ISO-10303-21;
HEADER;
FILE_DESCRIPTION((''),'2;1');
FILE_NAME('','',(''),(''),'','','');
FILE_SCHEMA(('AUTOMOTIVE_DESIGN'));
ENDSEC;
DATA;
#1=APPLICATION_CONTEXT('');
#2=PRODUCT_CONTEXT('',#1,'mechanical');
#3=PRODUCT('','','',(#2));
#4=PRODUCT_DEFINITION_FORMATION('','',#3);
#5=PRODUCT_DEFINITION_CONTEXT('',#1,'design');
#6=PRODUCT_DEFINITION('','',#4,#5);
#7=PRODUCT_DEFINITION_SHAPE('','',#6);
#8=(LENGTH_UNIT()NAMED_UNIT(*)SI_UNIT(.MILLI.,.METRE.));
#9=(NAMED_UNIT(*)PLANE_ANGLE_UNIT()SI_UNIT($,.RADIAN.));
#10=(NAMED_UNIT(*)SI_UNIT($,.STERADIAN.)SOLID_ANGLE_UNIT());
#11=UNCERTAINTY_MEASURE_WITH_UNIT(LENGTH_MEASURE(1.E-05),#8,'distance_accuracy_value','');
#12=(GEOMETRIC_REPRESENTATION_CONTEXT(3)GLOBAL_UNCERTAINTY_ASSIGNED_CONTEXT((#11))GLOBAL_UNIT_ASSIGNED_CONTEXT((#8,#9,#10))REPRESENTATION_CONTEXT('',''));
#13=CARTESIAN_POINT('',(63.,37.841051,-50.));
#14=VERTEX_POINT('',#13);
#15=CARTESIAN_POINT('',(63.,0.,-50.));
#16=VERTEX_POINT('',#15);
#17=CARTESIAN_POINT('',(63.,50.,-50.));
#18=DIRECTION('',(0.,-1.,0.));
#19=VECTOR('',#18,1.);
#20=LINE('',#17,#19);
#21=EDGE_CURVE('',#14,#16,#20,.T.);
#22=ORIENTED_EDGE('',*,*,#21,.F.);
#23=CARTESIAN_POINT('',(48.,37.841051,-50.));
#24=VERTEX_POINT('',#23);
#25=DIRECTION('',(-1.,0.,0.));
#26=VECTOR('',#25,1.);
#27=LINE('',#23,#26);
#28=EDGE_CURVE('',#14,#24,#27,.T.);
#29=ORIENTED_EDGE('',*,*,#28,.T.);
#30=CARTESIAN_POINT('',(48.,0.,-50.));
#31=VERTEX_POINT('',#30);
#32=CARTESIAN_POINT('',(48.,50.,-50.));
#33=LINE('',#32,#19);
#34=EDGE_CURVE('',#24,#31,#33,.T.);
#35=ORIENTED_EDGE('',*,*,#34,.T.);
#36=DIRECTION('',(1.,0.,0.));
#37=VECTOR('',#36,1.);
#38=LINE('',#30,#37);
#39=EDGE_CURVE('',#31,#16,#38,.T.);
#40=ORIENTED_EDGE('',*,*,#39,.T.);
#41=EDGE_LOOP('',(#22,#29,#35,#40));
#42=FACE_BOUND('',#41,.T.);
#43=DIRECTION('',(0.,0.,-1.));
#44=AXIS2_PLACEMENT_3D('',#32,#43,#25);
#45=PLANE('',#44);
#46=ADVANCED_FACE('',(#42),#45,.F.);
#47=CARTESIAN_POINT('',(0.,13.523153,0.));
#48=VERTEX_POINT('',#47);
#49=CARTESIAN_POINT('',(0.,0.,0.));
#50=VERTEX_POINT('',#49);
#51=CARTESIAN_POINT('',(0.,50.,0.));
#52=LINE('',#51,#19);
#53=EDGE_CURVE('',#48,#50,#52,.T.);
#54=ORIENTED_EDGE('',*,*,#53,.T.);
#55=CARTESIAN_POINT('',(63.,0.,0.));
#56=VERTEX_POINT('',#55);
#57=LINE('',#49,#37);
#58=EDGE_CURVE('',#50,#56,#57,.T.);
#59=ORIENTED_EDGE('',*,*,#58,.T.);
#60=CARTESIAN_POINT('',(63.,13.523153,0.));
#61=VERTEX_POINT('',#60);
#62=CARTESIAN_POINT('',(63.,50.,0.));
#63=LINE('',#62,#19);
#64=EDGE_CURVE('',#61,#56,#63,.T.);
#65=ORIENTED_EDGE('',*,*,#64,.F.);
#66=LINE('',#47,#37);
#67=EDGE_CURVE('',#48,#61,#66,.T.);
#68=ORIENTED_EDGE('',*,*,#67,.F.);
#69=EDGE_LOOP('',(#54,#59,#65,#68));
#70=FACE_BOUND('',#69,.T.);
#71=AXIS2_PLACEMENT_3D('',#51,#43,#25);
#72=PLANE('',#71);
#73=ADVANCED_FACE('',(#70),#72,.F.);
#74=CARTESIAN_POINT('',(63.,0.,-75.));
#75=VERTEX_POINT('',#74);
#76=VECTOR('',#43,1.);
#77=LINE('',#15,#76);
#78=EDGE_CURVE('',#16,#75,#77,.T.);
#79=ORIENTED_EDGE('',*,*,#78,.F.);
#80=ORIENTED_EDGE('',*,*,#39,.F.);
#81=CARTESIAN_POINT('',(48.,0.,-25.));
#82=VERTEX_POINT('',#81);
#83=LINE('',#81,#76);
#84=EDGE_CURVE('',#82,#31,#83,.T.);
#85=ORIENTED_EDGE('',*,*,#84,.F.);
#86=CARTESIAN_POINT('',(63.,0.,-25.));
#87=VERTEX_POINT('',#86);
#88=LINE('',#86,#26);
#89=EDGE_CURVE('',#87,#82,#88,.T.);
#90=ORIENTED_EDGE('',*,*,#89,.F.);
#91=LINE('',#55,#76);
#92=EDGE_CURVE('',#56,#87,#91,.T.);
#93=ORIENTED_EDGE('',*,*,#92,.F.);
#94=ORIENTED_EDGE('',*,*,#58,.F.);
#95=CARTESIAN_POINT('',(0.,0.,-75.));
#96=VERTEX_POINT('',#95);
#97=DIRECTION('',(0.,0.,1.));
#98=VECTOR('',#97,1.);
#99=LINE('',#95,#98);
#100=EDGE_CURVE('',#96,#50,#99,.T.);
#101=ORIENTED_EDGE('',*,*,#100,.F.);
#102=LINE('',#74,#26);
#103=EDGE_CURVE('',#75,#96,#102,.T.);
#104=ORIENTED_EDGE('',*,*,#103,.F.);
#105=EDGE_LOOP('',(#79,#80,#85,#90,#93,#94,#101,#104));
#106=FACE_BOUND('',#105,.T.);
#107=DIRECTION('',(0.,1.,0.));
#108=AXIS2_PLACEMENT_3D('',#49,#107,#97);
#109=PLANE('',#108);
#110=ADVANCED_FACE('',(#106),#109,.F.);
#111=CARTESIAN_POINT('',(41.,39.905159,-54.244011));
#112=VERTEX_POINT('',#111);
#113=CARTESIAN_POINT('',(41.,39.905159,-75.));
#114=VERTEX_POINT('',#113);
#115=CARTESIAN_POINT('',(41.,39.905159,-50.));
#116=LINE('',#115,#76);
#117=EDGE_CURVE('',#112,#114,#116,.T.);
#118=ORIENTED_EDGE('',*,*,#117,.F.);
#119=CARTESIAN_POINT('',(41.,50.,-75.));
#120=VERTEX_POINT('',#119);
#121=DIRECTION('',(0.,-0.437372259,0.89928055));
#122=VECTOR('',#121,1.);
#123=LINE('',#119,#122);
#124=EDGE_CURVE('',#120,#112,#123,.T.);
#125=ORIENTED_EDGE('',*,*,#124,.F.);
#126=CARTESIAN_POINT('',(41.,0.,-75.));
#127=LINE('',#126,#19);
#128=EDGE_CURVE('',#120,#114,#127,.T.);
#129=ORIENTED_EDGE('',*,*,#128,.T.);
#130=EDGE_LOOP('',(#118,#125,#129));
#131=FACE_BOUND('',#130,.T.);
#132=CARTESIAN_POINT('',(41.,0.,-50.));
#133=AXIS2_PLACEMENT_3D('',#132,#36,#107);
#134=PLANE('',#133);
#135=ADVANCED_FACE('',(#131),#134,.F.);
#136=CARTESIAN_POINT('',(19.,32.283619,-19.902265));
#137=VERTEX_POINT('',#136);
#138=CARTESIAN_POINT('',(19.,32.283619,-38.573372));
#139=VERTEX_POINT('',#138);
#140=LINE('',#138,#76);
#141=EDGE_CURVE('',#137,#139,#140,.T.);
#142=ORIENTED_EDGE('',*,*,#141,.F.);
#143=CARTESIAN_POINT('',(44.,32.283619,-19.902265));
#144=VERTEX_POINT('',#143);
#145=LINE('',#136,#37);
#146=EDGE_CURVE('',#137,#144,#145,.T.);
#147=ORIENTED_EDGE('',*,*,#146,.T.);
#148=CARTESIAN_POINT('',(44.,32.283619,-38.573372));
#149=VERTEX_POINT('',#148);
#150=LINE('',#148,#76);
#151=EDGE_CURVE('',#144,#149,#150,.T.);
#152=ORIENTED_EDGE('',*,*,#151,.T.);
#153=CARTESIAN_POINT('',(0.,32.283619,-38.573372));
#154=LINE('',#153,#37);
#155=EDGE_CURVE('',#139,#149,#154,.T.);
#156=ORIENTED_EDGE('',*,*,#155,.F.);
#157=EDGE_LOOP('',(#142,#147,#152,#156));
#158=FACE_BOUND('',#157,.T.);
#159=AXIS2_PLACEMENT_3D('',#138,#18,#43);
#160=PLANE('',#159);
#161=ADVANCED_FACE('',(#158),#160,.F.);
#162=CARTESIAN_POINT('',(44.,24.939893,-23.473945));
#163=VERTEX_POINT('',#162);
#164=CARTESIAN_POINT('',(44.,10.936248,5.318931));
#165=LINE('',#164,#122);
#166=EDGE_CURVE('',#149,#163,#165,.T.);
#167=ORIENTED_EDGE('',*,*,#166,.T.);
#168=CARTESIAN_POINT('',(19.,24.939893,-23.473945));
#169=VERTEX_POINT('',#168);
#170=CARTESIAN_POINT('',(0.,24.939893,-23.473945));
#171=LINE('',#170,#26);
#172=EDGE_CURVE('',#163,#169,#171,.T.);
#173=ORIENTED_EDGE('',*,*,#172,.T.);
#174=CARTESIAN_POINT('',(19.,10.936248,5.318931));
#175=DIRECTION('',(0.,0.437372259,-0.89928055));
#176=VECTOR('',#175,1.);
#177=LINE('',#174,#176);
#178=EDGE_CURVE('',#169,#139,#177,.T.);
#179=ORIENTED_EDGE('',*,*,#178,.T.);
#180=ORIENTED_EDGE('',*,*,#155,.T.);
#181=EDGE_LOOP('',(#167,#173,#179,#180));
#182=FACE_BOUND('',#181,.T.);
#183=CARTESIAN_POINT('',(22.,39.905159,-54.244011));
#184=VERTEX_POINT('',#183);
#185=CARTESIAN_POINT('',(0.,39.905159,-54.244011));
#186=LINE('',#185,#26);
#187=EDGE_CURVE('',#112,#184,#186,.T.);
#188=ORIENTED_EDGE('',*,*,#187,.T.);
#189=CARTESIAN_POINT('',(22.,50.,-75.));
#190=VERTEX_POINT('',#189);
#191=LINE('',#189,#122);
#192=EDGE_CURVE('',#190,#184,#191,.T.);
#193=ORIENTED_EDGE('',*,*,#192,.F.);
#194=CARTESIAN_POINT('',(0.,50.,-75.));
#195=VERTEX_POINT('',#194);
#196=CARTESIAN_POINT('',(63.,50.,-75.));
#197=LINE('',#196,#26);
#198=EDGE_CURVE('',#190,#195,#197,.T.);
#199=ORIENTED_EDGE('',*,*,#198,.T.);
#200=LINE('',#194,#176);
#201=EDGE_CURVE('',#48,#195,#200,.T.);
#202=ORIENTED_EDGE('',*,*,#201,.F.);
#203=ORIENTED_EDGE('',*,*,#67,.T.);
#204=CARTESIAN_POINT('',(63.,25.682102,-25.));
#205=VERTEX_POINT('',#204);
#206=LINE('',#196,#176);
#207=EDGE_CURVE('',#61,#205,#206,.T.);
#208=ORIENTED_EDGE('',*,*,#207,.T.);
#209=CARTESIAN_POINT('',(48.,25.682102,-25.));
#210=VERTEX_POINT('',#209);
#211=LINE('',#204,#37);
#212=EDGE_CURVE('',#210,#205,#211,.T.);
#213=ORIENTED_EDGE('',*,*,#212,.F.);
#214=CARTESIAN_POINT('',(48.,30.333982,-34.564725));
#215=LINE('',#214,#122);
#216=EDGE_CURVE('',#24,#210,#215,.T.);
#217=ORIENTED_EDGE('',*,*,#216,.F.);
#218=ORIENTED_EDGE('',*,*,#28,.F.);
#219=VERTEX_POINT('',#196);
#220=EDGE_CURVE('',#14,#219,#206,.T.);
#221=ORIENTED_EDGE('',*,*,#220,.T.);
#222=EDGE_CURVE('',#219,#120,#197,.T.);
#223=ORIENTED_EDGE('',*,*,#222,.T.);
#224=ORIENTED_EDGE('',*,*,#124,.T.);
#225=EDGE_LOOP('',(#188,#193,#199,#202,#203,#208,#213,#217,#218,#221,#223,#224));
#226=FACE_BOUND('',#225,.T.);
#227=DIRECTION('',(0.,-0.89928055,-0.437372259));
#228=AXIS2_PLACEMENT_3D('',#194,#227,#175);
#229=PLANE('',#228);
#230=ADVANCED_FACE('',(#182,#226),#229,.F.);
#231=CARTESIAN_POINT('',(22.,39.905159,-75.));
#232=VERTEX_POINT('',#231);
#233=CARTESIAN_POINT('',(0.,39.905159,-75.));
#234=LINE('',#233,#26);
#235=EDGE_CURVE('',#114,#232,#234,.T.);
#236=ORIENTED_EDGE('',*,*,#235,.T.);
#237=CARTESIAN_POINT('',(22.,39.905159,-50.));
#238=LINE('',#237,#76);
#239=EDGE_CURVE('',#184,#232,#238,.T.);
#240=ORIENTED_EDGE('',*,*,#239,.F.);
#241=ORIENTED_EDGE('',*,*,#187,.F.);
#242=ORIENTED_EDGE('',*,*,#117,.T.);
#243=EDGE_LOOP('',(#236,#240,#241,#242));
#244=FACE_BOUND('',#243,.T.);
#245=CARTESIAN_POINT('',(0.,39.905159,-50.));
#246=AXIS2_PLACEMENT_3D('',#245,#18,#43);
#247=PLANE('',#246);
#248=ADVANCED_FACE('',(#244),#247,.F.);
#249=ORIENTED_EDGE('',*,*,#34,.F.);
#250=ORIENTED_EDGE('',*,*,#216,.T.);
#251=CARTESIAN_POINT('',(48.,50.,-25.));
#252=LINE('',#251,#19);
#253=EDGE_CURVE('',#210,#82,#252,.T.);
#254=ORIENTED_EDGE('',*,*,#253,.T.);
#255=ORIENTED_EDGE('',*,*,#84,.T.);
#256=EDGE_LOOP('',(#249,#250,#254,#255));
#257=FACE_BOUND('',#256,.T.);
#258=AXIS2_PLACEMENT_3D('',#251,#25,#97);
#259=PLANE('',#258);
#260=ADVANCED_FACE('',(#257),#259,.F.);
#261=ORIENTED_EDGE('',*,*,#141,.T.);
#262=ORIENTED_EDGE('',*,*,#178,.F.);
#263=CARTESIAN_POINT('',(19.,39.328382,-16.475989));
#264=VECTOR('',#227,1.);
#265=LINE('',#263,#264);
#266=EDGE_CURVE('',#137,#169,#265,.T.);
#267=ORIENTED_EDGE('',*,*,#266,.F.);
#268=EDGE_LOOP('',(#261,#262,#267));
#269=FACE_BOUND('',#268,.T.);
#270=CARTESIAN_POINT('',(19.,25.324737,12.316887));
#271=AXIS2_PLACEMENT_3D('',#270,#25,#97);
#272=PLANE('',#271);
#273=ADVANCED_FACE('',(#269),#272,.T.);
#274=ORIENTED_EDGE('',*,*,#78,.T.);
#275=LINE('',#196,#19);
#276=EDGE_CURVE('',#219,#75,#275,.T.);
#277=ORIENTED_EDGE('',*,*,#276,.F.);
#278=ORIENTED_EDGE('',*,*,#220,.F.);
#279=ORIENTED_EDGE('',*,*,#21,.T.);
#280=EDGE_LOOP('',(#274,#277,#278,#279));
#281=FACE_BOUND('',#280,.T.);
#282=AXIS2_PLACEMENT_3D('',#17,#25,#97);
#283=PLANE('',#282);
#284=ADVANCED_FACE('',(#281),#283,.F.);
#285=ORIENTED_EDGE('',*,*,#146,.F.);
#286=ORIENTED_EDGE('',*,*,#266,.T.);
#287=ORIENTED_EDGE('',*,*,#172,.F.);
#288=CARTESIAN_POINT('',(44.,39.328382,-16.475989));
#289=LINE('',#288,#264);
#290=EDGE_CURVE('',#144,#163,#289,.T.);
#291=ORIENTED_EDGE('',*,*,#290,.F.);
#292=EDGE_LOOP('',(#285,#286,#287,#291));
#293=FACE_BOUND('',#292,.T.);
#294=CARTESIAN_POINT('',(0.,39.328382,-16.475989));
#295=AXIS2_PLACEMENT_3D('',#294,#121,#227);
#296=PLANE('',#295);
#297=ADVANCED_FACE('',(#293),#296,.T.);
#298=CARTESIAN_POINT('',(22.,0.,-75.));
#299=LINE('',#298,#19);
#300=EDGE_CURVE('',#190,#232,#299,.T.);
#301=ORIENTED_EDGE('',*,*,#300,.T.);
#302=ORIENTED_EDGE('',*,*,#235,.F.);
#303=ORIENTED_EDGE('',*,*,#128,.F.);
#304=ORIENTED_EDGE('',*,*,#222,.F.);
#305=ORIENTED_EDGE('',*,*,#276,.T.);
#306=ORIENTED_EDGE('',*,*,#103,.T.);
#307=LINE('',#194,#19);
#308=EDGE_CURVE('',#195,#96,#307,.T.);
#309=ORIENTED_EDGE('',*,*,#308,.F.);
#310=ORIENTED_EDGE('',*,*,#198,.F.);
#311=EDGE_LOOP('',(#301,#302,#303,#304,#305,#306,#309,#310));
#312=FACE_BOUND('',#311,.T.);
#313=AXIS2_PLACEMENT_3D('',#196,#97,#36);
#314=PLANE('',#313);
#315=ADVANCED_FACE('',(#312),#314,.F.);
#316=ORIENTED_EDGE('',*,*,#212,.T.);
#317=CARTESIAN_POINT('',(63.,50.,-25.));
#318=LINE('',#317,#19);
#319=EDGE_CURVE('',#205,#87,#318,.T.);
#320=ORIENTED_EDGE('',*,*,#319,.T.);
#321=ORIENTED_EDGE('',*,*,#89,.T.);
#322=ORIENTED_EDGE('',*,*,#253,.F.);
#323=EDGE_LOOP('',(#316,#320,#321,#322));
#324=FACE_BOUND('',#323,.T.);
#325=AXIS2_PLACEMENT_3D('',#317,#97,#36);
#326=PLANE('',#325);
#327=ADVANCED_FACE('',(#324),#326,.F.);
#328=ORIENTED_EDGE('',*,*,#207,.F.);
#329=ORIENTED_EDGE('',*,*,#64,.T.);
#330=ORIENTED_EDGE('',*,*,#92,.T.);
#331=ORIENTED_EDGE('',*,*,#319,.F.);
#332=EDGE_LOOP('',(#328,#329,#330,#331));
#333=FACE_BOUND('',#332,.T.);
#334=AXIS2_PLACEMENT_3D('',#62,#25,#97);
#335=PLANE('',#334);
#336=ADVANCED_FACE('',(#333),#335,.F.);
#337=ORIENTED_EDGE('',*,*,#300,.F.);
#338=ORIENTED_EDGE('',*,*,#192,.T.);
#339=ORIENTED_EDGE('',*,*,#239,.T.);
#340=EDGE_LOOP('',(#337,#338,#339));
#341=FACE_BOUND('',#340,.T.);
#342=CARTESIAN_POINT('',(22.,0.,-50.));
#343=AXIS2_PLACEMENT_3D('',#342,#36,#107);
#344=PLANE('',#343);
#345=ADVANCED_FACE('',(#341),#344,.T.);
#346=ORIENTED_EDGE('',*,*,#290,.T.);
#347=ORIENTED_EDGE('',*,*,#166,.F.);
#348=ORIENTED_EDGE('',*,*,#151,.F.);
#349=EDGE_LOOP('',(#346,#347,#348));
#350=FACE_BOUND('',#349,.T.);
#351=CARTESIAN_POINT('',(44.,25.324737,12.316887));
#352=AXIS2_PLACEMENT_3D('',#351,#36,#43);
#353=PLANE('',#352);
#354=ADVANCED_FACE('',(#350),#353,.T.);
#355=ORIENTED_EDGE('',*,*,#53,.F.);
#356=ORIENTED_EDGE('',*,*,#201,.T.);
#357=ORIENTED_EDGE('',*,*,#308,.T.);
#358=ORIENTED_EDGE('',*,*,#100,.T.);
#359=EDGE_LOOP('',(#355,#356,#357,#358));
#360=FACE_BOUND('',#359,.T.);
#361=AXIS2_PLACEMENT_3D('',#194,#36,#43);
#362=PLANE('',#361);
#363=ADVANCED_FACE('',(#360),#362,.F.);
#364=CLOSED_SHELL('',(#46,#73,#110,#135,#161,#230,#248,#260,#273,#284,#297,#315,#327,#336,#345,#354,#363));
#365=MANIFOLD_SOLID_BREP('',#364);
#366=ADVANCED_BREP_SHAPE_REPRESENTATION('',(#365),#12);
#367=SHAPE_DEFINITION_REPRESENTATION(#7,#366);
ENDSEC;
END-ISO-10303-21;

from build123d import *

# Parameters (mm, degrees)
BOSS_EXTRUDE2_DEPTH = 50
CUT_EXTRUDE2_DEPTH  = 63
SKETCH6_W           = 25
SKETCH6_H           = 16.790562981
BOSS_EXTRUDE4_DEPTH = 16
CUT_EXTRUDE8_DEPTH  = 25
SKETCH11_W          = 19
SKETCH11_H          = 10.094840621
CUT_EXTRUDE9_DEPTH  = 25


with BuildPart() as part:
    # Sketch1 → Boss-Extrude2 (new body)
    with BuildSketch(Plane(origin=(0, 0, 0), x_dir=(1, 0, 0), z_dir=(0, 1, 0))):
        Polygon((0, 0), (63, 0), (63, 25), (48, 25), (48, 50), (63, 50), (63, 75), (0, 75), align=None)
    extrude(amount=BOSS_EXTRUDE2_DEPTH)

    # Sketch3 → Cut-Extrude2 (cut)
    with BuildSketch(Plane(origin=(63, 0, 0), x_dir=(0, 0, -1), z_dir=(1, 0, 0))):
        Polygon((75, 50), (0, 13.523152522), (0, 50), align=None)
    extrude(amount=-CUT_EXTRUDE2_DEPTH, mode=Mode.SUBTRACT)

    # Sketch6 → Boss-Extrude4 (add)
    with BuildSketch(Plane(origin=(0, 10.936247914, 5.318931295), x_dir=(1, 0, 0), z_dir=(0, 0.8992805495570562, 0.437372259280763))):
        with Locations((31.5, 40.412961178)):
            Rectangle(SKETCH6_W, SKETCH6_H)
    extrude(amount=BOSS_EXTRUDE4_DEPTH)

    # Sketch10 → Cut-Extrude8 (cut)
    with BuildSketch(Plane(origin=(44, 0, 0), x_dir=(0, 0, -1), z_dir=(1, 0, 0))):
        Polygon((38.573371995, 32.283619282), (19.90226542, 32.283619282), (16.475989141, 39.328381609), (31.575415847, 46.672108075), align=None)
    extrude(amount=-CUT_EXTRUDE8_DEPTH, mode=Mode.SUBTRACT)

    # Sketch11 → Cut-Extrude9 (cut)
    with BuildSketch(Plane(origin=(0, 0, -75), x_dir=(-1, 0, 0), z_dir=(0, 0, -1))):
        with Locations((-31.5, 44.952579689)):
            Rectangle(SKETCH11_W, SKETCH11_H)
    extrude(amount=-CUT_EXTRUDE9_DEPTH, mode=Mode.SUBTRACT)


solid = part.part
